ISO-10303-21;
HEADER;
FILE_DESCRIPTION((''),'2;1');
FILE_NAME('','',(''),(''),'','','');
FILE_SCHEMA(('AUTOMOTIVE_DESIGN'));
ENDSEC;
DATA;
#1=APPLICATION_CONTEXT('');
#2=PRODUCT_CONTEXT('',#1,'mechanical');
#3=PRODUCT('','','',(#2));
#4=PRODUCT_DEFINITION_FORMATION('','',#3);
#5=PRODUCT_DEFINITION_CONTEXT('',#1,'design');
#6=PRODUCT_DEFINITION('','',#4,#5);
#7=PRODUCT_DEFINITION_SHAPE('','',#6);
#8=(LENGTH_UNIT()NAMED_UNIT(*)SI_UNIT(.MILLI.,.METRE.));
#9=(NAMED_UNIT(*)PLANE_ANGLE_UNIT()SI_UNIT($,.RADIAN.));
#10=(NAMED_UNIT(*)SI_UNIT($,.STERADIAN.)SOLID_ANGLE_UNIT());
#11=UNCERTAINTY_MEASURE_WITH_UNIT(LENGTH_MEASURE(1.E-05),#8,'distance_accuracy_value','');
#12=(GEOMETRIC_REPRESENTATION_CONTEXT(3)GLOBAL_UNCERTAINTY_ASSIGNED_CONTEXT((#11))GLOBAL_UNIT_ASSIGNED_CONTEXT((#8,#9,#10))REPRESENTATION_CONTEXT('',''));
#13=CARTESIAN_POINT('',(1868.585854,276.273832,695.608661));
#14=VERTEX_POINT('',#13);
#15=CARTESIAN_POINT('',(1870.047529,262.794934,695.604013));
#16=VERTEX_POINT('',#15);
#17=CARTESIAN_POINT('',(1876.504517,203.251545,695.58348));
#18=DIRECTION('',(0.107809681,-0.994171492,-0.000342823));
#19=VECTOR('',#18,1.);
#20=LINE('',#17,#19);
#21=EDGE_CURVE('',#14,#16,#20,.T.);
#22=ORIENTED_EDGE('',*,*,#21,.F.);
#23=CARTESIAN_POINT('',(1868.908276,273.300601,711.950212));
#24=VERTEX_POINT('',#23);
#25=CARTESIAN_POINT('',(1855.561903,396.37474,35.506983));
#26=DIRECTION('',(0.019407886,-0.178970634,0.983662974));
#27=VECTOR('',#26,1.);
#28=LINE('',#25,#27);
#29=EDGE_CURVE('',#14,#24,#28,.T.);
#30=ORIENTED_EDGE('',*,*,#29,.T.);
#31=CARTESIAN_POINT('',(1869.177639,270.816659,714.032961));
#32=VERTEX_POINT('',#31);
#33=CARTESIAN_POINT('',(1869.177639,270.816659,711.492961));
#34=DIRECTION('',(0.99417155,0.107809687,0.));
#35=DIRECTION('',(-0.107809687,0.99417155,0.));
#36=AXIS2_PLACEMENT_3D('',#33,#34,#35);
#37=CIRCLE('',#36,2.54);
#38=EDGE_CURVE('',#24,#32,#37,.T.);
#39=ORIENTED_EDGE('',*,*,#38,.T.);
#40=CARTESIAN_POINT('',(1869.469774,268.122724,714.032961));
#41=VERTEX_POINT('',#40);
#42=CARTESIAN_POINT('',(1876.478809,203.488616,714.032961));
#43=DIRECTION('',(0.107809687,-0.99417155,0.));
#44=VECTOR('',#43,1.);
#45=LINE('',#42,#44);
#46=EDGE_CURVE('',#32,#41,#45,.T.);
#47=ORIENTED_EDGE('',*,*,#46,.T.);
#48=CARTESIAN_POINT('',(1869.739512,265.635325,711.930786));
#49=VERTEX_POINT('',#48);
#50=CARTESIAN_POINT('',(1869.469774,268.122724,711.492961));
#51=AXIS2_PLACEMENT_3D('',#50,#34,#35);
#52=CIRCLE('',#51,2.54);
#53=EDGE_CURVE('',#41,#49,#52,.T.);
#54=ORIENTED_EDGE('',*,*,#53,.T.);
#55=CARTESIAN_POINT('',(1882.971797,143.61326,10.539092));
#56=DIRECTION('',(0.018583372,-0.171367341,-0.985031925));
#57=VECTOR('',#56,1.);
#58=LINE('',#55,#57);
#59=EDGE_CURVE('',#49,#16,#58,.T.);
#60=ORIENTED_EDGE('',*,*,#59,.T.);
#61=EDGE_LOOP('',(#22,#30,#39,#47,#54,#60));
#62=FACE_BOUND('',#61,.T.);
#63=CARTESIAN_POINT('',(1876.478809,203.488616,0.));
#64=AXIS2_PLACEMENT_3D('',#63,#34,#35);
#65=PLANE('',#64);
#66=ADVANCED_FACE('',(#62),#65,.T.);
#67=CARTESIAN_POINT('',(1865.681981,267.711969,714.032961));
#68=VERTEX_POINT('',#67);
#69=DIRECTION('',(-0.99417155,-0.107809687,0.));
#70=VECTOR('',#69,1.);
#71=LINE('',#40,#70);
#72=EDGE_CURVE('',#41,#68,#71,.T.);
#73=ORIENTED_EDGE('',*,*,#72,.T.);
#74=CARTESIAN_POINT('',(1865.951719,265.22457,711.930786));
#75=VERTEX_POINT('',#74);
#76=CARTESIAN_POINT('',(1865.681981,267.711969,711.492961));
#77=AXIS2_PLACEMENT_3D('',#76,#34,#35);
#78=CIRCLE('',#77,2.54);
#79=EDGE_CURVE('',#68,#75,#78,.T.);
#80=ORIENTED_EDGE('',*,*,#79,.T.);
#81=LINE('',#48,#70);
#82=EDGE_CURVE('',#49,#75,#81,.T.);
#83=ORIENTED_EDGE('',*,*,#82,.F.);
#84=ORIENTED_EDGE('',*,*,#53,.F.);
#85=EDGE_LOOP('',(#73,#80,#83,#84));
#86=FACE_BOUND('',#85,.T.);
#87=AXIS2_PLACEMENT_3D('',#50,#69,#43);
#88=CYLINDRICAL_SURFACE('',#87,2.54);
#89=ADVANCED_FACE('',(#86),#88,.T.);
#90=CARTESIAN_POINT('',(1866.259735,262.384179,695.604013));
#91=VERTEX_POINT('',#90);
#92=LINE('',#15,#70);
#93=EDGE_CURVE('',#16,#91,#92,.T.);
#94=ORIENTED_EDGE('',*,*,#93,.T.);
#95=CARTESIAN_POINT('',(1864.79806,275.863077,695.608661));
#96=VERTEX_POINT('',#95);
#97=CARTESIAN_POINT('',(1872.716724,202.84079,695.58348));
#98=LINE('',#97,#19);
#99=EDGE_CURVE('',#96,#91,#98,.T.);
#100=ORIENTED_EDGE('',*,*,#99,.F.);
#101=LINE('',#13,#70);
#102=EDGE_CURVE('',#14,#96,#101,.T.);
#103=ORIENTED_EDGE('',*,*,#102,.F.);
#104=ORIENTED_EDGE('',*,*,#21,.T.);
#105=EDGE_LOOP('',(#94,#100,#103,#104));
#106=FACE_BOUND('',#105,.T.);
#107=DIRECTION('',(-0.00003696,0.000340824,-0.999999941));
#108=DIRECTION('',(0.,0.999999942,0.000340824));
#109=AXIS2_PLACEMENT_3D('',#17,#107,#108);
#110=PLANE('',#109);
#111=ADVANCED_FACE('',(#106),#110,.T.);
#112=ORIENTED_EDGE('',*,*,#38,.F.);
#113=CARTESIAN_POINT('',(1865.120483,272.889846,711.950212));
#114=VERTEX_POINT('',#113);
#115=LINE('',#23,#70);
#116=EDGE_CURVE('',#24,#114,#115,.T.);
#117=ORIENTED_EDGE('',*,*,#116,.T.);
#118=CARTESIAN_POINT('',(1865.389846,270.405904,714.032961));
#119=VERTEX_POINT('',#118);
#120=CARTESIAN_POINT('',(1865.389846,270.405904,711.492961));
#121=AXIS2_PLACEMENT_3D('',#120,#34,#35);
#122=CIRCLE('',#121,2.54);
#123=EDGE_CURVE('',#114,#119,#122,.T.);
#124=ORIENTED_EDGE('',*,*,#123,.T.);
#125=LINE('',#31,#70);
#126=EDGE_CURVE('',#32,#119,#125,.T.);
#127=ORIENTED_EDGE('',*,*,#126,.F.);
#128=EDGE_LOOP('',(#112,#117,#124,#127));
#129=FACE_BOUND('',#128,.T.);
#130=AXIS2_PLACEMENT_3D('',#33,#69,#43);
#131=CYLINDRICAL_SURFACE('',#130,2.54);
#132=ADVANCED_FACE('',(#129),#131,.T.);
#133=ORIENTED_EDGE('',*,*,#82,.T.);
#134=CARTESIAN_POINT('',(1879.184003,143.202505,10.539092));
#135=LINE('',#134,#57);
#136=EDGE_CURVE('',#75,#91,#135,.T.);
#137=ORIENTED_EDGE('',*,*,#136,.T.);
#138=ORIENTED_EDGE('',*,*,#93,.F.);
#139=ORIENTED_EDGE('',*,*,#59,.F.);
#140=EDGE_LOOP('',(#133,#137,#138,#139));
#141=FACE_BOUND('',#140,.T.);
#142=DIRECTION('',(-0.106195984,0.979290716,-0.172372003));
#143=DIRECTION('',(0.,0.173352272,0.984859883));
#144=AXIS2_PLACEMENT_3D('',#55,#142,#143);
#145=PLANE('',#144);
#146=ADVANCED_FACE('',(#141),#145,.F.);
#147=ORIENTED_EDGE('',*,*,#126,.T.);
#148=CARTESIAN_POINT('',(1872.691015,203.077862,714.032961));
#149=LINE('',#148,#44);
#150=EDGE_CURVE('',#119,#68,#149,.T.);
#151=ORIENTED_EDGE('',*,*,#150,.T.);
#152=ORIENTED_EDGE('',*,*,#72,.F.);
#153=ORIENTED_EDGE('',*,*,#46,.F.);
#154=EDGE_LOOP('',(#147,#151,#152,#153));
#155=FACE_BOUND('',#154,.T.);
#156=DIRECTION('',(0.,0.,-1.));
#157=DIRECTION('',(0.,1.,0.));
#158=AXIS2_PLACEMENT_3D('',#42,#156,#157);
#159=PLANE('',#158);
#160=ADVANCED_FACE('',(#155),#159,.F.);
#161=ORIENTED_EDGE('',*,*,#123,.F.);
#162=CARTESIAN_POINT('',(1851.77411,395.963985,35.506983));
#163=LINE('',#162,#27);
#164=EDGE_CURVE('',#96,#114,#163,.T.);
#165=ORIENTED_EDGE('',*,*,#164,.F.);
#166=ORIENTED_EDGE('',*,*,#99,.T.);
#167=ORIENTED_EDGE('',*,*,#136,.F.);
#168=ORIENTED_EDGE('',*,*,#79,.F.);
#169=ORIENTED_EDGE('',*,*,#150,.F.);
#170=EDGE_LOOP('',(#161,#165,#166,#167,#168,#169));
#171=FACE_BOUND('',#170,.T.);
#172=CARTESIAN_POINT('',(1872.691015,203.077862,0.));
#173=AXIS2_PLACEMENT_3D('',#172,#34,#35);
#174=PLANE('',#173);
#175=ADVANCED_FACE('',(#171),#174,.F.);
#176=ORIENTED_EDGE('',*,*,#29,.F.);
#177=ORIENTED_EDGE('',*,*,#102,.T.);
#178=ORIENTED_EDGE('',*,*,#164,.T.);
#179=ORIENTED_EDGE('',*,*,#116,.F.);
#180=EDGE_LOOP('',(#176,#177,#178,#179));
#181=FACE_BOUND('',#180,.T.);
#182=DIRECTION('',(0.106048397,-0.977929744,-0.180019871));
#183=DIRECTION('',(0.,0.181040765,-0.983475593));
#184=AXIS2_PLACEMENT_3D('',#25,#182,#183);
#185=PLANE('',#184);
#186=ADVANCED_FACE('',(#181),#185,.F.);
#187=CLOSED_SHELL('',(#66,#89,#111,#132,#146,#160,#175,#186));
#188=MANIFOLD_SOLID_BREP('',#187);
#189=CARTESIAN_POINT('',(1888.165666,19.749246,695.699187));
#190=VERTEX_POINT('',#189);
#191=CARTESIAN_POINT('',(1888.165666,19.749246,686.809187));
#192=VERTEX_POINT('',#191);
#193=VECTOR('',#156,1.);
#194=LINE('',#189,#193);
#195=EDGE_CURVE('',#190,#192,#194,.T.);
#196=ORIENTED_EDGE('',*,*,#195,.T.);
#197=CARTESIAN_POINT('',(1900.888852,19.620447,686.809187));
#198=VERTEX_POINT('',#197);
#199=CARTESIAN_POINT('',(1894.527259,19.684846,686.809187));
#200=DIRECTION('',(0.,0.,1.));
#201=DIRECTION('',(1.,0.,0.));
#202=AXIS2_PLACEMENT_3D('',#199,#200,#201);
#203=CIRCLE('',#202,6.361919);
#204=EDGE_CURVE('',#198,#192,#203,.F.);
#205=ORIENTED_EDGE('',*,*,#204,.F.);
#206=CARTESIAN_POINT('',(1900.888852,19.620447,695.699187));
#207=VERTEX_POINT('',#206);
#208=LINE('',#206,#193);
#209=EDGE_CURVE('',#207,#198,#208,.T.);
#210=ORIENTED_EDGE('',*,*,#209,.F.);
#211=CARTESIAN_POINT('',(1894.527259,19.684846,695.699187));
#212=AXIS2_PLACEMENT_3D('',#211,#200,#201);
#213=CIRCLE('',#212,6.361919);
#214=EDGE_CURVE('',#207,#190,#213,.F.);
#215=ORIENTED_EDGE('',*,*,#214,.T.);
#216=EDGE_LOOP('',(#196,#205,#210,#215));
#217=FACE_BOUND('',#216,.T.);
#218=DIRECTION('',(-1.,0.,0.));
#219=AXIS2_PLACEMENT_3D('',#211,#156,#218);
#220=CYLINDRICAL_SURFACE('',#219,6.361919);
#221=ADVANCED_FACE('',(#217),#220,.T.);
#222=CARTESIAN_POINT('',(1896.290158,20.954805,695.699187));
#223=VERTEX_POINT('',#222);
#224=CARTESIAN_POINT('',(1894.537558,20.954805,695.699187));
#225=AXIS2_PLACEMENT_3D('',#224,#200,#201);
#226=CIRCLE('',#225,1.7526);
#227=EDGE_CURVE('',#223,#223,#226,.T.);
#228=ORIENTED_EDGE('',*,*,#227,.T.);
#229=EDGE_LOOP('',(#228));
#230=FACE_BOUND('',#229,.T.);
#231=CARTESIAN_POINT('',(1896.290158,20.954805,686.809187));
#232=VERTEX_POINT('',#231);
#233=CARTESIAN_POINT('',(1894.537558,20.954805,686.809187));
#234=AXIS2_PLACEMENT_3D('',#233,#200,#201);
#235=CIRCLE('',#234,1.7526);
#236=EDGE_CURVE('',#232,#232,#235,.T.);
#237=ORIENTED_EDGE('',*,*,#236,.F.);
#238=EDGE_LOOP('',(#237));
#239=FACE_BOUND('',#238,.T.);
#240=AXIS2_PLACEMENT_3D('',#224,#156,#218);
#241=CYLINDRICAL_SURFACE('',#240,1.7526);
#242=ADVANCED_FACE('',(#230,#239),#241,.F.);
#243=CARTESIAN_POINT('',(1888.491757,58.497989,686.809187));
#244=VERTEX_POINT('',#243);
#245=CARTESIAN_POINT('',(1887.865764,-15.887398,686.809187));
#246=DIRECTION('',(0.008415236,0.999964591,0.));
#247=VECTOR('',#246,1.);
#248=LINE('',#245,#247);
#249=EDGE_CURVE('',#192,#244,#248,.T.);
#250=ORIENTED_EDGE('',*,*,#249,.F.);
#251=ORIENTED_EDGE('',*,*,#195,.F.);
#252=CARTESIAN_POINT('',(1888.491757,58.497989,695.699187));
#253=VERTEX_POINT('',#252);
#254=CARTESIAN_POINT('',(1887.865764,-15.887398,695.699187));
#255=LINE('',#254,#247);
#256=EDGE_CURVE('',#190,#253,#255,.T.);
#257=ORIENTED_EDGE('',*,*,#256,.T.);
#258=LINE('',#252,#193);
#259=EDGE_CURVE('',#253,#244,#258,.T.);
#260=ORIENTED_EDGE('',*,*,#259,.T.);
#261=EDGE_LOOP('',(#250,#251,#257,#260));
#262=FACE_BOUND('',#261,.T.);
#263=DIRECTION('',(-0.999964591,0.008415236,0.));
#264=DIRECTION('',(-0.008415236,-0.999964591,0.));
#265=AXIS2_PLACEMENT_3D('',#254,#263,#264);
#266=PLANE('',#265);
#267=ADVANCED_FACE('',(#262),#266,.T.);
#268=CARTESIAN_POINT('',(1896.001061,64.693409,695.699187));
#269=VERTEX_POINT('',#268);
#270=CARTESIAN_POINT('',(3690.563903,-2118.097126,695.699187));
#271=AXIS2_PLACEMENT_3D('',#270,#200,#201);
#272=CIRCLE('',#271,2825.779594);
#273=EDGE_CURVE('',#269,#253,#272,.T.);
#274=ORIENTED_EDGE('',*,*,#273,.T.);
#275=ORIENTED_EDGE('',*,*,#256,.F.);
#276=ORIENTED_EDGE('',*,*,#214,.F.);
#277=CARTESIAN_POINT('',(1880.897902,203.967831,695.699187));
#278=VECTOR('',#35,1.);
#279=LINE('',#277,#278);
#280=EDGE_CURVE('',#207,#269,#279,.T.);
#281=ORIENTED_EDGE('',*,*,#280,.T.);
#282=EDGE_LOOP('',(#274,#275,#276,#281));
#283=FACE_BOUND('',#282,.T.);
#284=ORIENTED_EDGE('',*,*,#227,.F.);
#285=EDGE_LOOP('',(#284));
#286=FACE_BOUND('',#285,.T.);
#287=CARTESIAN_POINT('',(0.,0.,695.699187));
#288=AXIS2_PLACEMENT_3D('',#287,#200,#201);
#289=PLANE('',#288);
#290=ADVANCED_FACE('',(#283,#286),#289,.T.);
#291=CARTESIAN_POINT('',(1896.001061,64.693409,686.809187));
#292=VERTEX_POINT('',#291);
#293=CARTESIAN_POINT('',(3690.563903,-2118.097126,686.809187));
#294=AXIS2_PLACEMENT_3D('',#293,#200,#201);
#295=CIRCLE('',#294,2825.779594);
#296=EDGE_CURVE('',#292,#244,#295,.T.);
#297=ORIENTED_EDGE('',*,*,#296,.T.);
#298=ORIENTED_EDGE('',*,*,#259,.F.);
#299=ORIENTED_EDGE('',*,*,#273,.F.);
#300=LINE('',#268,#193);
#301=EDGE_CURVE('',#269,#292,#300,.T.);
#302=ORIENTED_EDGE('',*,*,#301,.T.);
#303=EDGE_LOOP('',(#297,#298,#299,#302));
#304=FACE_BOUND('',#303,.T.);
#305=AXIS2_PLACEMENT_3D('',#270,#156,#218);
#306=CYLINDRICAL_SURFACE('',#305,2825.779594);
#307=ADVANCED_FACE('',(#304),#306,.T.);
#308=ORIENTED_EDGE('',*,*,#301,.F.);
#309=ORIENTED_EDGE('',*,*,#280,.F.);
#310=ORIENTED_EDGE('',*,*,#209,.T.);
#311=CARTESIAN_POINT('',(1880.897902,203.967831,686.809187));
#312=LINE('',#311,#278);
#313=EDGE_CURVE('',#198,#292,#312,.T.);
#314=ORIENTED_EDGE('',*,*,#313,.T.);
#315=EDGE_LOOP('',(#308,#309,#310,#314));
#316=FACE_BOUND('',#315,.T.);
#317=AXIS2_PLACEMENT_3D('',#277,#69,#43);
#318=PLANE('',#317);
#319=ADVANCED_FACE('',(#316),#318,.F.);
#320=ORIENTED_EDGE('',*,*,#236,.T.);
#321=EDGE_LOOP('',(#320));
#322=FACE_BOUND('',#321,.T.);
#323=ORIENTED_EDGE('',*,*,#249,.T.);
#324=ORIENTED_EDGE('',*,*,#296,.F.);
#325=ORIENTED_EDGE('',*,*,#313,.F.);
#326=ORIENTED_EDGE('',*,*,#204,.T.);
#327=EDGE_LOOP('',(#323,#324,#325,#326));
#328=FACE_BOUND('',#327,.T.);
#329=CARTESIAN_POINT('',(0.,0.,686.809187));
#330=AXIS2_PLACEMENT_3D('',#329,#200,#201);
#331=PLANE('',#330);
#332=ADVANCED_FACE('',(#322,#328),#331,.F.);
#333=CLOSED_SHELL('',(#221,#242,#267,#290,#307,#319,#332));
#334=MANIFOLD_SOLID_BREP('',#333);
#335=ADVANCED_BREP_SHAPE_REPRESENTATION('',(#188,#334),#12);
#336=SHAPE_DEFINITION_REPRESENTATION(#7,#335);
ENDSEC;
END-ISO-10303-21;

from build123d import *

# Parameters (mm, degrees)
SKETCH1_R                = 1.7526
BOSS_EXTRUDE1_DEPTH      = 8.89
BOSS_EXTRUDE2_DEPTH      = 1.905
BOSS_EXTRUDE2_DEPTH_BACK = 1.905
BOSS_EXTRUDE2_START      = 6.35


with BuildPart() as part:
    # Sketch1 → Boss-Extrude1 (new body)
    with BuildSketch(Plane.XY.offset(686.809186753)):
        with BuildLine():
            Line((1900.888851589, 19.620446581), (1896.001061366, 64.693409066))
            ThreePointArc((1896.001061366, 64.693409066), (1892.243741214, 61.598932687), (1888.49175705, 58.497988698))
            Line((1888.49175705, 58.497988698), (1888.165665709, 19.749246166))
            ThreePointArc((1888.165665709, 19.749246166), (1894.462858856, 13.323253433), (1900.888851589, 19.620446581))
        make_face()
        with Locations((1894.537558365, 20.954804607)):
            Circle(SKETCH1_R, mode=Mode.SUBTRACT)
    extrude(amount=BOSS_EXTRUDE1_DEPTH)


with BuildPart() as body_2:
    # Sketch2 → Boss-Extrude2 (new, two sides: drawn at the far end of the back side and taken through both)
    with BuildSketch(Plane(origin=(1880.901419931, 203.935385675, 0), x_dir=(0, 0, 1), z_dir=(-0.9941715502675706, -0.10780968712771334, 0)).offset(BOSS_EXTRUDE2_START - BOSS_EXTRUDE2_DEPTH_BACK)):
        with BuildLine():
            Line((697.909018497, 72.823574899), (695.608660835, 73.244562676))
            Line((695.608660835, 73.244562676), (695.607635569, 70.25390024))
            Line((695.607635569, 70.25390024), (695.604012875, 59.686643231))
            Line((695.604012875, 59.686643231), (711.930786275, 62.543686297))
            ThreePointArc((711.930786275, 62.543686297), (713.437656121, 63.41172663), (714.032961387, 65.045667386))
            Line((714.032961387, 65.045667386), (714.032961387, 67.755396286))
            ThreePointArc((714.032961387, 67.755396286), (713.443988835, 69.381770136), (711.95021186, 70.25390024))
            Line((711.95021186, 70.25390024), (697.909018497, 72.823574899))
        make_face()
    extrude(amount=BOSS_EXTRUDE2_DEPTH + BOSS_EXTRUDE2_DEPTH_BACK)


solid = Compound([part.part, body_2.part])
